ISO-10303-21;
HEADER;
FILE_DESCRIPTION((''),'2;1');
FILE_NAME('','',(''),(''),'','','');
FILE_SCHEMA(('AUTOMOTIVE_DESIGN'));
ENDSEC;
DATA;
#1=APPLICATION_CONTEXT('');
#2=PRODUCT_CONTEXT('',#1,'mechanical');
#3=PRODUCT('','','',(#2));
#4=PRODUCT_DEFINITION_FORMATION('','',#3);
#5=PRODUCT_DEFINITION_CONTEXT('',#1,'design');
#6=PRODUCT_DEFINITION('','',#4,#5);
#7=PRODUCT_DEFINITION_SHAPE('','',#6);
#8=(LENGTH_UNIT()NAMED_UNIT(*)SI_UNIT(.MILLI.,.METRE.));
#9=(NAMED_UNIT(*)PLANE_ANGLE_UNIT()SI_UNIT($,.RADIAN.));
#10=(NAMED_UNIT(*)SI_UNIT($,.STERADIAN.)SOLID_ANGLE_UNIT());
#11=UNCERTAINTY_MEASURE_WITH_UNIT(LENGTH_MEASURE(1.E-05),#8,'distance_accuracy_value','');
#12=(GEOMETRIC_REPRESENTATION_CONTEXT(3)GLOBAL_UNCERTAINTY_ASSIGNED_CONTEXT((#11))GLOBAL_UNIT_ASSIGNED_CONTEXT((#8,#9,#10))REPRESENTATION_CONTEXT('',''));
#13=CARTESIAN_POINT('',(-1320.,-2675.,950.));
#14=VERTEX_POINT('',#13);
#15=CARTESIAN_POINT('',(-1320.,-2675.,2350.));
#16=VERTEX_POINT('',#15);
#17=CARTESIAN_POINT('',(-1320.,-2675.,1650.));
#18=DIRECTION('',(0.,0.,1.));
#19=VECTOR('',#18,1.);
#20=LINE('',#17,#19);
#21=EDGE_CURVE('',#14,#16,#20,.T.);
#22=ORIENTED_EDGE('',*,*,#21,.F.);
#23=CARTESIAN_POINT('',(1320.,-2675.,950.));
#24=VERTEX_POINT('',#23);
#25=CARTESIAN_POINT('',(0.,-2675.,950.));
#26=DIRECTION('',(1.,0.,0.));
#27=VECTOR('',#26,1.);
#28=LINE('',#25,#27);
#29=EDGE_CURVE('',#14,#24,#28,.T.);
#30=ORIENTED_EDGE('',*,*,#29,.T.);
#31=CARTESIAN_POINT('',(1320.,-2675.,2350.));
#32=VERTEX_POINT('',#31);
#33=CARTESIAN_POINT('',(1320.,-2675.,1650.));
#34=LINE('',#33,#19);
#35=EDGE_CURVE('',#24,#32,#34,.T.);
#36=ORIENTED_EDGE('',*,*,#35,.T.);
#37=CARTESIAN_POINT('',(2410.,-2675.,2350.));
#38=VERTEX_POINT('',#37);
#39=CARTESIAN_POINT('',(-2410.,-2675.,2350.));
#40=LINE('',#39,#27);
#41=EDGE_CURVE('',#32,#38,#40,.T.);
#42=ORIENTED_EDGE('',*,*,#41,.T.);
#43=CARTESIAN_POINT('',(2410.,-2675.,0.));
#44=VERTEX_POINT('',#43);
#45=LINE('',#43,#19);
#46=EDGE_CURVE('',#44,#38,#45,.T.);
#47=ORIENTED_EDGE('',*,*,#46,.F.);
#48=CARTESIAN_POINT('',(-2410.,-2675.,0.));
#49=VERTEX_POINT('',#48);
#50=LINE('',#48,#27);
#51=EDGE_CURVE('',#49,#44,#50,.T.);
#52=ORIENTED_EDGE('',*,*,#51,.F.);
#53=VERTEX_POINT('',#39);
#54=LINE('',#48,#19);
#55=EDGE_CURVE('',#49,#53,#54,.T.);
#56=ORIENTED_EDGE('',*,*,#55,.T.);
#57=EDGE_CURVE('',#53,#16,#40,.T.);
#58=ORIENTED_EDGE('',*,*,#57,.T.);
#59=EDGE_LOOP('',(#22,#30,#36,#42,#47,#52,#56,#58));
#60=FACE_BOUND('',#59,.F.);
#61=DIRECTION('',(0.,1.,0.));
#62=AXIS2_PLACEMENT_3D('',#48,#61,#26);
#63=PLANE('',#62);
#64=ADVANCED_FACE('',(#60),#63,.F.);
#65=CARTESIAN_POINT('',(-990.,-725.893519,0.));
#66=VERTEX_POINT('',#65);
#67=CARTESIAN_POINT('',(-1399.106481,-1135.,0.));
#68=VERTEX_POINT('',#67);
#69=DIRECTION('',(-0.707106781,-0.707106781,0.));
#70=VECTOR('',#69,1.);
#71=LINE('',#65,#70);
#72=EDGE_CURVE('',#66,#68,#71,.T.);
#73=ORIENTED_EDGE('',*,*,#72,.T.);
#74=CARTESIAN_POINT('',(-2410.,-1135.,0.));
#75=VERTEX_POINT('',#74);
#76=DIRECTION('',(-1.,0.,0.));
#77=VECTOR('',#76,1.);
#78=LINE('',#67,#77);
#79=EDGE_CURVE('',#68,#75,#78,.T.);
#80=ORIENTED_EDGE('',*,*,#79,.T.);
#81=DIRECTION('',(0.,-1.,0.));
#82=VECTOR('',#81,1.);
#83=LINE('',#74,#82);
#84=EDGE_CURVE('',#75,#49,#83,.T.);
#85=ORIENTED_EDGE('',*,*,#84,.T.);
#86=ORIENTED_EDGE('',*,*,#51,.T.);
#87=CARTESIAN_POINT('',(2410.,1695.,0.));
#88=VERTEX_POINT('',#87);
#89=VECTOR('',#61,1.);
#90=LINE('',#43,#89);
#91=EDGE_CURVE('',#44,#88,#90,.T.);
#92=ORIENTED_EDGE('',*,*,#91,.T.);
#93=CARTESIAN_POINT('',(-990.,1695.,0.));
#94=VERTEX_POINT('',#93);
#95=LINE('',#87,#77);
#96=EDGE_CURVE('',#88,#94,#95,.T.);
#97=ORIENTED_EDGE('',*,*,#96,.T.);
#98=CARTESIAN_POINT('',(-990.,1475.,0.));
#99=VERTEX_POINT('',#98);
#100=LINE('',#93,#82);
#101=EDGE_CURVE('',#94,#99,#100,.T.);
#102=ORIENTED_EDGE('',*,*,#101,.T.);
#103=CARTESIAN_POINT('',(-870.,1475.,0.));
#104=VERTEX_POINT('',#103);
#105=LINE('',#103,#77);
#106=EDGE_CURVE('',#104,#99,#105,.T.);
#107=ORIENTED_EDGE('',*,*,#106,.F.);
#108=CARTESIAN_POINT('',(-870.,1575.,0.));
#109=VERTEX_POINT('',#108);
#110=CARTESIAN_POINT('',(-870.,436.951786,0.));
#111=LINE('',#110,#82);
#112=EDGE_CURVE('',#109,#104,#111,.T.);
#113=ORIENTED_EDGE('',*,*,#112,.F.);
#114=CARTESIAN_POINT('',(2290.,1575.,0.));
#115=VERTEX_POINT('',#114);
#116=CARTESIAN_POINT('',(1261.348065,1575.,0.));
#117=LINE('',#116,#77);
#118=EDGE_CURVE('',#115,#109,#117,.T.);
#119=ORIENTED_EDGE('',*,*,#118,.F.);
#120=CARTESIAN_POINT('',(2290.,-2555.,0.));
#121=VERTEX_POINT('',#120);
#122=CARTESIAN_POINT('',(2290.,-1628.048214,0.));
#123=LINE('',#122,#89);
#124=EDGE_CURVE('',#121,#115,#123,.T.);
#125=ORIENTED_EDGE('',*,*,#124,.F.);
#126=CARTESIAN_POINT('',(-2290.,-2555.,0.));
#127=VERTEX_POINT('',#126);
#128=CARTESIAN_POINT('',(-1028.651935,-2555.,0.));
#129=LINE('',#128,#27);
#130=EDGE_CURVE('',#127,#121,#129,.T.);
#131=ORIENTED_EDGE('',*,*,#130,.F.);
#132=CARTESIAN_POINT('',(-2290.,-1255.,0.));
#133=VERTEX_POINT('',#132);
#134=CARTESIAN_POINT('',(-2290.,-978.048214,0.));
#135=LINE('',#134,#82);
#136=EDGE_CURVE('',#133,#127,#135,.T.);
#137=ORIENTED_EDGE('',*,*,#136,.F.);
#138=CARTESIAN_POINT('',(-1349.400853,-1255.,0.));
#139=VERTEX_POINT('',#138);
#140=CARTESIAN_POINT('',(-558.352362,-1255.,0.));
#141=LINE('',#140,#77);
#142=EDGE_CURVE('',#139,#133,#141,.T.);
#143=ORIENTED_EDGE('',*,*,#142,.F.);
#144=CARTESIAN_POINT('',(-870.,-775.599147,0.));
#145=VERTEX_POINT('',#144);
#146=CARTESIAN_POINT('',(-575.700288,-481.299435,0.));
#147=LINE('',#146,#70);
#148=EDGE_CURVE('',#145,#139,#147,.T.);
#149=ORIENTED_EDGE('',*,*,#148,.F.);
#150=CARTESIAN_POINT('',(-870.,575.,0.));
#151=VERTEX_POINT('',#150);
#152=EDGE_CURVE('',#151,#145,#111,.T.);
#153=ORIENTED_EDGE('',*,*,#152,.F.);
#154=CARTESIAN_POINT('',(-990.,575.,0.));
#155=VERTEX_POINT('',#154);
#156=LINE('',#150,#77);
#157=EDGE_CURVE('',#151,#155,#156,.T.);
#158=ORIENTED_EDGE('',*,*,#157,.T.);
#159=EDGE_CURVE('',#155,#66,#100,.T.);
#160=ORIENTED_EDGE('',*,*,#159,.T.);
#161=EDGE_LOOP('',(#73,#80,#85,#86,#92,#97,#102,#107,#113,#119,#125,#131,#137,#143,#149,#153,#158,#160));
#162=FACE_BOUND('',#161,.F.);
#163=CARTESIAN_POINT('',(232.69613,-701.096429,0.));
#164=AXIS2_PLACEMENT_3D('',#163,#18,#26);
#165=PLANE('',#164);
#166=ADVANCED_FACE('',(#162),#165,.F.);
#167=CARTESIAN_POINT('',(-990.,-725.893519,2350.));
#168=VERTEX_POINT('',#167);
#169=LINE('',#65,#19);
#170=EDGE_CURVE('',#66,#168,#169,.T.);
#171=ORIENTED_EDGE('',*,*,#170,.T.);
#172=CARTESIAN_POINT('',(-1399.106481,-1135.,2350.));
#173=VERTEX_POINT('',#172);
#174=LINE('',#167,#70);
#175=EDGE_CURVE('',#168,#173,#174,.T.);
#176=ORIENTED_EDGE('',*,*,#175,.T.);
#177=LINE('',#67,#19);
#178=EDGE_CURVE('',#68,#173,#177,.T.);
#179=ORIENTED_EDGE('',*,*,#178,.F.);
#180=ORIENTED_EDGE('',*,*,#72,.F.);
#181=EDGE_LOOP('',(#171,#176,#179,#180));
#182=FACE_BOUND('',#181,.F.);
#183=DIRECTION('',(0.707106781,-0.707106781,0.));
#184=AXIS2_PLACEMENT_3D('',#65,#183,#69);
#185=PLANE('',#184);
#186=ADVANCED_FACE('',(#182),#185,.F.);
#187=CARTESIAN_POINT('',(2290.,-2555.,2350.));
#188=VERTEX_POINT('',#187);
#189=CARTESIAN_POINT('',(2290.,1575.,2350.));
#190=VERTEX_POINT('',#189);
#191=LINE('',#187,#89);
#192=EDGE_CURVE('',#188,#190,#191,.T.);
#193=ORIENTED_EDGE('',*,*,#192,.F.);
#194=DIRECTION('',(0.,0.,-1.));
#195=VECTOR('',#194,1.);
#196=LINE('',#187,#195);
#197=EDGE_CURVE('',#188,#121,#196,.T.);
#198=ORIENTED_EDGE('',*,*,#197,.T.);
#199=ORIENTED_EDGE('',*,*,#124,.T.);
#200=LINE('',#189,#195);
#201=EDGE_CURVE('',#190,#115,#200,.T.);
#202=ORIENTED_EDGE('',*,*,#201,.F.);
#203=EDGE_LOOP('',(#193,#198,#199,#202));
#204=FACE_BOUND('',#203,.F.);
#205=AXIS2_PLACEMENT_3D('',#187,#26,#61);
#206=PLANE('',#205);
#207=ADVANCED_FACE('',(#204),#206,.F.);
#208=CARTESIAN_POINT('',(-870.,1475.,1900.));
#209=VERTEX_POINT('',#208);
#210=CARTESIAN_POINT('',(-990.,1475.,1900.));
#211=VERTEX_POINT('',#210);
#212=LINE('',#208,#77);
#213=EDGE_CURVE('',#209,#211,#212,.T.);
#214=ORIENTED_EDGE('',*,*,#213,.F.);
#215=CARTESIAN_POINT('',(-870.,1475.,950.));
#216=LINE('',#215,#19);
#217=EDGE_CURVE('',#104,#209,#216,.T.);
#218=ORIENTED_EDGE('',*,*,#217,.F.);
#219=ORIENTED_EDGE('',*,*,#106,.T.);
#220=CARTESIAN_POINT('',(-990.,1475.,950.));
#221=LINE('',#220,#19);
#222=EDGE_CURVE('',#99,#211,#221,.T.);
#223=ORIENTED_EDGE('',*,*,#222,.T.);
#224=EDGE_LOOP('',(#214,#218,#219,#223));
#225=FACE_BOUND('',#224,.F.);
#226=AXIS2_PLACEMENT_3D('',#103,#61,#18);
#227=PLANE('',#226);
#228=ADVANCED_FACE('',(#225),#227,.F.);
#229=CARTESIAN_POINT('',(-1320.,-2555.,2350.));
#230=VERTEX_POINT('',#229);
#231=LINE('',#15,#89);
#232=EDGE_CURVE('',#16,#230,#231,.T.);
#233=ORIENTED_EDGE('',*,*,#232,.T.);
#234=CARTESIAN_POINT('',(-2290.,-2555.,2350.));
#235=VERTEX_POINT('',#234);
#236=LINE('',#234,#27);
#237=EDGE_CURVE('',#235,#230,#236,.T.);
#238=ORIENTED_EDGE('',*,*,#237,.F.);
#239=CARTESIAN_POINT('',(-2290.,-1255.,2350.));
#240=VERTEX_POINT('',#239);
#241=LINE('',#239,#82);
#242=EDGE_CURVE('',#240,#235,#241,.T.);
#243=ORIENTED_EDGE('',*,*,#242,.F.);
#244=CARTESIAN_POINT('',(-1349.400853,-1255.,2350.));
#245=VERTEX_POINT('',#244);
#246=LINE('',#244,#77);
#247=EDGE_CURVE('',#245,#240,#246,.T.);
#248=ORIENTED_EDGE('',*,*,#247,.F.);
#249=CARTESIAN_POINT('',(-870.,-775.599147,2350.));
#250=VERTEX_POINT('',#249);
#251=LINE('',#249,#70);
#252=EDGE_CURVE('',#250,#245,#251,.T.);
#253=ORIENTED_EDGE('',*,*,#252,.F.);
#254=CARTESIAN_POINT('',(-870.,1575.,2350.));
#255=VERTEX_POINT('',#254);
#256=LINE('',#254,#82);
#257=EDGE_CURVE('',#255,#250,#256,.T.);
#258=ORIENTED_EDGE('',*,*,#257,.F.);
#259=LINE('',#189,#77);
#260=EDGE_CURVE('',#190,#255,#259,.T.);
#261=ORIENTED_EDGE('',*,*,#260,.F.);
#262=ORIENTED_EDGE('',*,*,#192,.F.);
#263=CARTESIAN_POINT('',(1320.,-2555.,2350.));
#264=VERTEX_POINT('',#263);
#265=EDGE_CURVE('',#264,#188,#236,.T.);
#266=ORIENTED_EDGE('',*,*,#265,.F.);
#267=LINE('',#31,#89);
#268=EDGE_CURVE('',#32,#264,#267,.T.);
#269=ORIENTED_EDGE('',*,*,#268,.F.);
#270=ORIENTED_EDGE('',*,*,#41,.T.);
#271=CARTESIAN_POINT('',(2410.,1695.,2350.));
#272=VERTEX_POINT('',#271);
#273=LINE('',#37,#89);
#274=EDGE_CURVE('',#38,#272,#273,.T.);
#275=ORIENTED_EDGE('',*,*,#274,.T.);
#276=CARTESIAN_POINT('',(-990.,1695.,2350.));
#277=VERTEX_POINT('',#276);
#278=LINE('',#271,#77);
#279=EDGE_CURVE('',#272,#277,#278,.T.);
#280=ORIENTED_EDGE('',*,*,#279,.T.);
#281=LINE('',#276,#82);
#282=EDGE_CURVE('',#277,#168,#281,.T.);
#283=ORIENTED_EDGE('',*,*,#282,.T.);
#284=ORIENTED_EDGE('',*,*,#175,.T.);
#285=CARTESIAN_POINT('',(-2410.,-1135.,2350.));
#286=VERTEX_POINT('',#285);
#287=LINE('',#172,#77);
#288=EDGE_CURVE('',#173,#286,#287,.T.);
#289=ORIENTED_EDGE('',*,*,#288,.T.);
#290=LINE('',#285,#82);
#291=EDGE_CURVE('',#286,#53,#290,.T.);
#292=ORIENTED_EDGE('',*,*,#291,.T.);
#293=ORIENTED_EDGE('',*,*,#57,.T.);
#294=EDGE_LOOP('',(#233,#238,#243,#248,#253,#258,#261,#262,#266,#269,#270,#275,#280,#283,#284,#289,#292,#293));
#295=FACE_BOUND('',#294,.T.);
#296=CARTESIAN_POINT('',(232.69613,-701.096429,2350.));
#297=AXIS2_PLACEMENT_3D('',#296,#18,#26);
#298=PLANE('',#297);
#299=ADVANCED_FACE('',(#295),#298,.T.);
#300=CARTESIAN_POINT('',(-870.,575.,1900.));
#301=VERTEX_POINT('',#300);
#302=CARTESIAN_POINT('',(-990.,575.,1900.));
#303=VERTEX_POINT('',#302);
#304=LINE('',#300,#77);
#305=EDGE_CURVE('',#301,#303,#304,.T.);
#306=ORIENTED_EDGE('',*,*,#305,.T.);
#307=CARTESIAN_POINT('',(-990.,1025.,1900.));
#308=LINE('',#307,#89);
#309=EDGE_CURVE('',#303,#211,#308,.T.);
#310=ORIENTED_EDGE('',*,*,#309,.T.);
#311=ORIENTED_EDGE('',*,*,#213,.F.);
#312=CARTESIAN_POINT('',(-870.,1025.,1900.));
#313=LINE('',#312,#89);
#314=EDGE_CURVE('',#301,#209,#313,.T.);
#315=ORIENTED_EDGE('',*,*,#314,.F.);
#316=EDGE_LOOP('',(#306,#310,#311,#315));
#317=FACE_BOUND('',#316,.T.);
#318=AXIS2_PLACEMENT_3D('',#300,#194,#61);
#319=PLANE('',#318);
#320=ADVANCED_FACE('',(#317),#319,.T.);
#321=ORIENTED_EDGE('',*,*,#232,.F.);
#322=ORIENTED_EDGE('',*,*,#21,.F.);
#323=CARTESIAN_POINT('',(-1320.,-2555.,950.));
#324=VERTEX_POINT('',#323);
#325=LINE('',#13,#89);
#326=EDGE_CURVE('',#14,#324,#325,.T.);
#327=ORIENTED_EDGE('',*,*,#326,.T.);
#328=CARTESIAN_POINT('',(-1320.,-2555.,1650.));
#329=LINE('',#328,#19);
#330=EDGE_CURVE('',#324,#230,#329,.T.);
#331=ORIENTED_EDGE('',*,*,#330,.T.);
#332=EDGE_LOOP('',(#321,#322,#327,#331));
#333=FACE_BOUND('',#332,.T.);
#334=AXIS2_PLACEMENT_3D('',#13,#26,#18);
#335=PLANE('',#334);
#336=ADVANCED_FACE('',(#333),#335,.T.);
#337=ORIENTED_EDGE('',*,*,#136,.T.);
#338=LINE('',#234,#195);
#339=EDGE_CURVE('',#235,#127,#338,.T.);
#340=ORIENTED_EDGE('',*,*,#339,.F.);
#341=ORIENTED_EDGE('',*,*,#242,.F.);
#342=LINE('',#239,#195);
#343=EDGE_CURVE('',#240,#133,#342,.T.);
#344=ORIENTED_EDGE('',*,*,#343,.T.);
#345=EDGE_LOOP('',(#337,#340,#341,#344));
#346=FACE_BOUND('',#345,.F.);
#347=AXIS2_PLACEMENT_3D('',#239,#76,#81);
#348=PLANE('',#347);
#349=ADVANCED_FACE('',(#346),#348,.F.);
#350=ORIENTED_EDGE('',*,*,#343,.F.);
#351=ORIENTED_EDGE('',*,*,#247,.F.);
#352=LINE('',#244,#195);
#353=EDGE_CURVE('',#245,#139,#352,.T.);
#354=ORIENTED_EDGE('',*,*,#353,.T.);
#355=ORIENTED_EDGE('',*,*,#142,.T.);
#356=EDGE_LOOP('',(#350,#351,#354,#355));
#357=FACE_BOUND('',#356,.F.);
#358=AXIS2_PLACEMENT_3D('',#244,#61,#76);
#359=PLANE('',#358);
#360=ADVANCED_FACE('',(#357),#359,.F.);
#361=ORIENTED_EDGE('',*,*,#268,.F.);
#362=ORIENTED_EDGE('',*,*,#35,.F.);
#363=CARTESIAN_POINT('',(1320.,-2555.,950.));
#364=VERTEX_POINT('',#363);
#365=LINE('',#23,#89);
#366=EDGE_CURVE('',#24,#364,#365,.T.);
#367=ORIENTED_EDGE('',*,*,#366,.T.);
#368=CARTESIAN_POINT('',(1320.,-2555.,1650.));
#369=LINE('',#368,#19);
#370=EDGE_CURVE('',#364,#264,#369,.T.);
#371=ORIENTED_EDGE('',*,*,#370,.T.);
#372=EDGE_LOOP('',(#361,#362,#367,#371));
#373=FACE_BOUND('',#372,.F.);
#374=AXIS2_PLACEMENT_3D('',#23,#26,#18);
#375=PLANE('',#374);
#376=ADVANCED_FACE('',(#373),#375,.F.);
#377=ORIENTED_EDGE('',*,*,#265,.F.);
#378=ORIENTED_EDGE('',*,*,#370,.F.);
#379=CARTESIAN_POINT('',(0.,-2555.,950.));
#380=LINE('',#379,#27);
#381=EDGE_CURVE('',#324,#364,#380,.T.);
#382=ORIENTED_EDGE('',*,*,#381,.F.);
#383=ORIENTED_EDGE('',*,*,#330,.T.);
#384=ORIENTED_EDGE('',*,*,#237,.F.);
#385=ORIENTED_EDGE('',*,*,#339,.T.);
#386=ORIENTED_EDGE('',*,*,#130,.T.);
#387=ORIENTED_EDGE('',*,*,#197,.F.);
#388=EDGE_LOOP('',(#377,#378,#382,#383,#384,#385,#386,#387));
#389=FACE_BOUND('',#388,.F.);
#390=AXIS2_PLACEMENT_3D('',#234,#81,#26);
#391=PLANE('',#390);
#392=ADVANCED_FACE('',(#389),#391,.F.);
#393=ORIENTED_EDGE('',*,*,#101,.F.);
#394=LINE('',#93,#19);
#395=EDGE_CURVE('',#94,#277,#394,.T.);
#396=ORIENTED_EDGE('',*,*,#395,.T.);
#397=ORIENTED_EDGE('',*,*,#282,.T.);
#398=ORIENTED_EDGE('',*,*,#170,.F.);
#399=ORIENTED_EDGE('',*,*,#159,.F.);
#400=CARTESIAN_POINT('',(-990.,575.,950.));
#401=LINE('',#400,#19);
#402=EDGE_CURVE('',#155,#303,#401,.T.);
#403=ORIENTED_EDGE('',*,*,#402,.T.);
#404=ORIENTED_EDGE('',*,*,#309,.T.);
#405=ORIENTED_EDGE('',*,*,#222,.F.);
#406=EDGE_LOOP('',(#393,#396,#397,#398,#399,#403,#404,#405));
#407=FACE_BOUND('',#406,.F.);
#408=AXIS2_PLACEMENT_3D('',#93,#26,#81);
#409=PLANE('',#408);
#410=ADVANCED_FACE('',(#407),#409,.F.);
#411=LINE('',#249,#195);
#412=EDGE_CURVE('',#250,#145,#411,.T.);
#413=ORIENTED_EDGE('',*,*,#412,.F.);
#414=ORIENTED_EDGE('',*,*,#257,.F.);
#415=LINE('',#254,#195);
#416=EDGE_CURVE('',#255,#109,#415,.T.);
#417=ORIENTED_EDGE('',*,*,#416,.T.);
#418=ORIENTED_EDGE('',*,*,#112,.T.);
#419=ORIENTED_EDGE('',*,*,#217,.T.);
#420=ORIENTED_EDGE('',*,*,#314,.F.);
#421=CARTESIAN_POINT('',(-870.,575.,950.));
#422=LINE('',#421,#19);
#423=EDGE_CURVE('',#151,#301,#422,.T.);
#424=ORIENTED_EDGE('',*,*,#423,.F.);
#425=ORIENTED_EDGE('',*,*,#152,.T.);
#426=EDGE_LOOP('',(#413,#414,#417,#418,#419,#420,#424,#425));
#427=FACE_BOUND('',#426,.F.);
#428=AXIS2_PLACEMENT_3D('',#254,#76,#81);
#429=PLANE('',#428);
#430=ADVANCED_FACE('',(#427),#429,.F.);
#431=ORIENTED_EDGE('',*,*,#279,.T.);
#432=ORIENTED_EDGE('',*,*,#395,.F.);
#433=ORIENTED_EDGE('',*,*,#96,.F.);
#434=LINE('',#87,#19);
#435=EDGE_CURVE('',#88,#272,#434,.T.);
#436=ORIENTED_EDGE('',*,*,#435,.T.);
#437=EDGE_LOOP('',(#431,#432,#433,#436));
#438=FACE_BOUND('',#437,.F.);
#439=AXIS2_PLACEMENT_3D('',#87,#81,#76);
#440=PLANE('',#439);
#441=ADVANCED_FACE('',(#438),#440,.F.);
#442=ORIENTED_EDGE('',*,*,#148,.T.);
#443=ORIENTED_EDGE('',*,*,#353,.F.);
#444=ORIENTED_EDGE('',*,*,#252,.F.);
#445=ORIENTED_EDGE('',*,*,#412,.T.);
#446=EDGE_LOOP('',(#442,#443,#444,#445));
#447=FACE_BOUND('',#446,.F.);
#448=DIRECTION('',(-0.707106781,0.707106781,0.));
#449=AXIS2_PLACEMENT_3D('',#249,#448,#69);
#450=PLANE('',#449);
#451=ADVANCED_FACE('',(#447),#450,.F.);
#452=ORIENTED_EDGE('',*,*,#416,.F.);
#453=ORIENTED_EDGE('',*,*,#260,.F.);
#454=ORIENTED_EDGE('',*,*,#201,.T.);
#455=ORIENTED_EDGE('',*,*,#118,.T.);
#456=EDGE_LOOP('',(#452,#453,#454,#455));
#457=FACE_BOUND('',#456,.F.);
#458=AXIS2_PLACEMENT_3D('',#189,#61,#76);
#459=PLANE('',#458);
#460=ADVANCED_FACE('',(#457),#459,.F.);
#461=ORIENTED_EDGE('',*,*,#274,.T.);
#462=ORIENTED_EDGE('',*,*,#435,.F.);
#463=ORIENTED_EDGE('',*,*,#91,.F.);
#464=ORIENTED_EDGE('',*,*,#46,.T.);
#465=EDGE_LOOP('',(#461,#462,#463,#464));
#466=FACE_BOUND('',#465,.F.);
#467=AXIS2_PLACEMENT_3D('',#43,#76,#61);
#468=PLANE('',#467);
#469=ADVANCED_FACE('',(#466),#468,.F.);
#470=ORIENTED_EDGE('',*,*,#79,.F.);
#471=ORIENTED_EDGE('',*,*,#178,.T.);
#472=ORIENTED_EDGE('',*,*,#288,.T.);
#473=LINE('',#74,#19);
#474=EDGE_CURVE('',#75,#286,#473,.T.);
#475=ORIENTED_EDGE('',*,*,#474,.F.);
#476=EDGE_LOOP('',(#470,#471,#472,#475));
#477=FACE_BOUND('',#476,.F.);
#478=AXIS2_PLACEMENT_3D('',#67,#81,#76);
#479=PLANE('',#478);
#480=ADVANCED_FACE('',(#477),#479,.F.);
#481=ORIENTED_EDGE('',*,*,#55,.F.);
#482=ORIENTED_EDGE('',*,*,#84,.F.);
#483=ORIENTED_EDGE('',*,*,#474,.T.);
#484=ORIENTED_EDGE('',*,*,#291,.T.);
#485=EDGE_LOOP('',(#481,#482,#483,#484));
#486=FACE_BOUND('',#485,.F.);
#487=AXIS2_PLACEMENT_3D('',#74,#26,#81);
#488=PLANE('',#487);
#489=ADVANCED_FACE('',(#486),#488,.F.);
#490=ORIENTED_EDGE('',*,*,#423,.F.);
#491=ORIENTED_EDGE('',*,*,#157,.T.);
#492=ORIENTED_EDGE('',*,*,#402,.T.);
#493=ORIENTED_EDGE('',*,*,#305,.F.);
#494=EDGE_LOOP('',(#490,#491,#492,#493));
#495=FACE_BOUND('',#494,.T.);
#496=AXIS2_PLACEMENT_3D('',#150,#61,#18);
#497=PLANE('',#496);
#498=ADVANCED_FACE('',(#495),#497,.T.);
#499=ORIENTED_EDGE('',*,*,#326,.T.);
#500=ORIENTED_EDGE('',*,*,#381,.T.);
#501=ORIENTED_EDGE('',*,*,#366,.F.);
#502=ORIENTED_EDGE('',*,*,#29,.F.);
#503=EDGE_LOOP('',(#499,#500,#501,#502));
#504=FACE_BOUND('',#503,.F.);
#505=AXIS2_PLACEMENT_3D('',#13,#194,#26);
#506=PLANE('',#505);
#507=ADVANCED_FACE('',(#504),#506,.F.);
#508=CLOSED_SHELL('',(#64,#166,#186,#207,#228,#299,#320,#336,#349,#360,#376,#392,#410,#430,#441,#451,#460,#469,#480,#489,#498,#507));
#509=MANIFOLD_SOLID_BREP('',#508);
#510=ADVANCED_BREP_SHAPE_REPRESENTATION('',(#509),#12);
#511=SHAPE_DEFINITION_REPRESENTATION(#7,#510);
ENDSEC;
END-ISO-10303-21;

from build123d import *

# Parameters (mm, degrees)
F1_DEPTH = 2350
F3_DEPTH = 2350.001
F4_W     = 2640
F4_H     = 1400
F5_DEPTH = 120
F6_W     = 900
F6_H     = 1900
F7_DEPTH = 120


with BuildPart() as f1:
    # F0 (on Top) → F1 (new body)
    with BuildSketch(Plane.XY):
        Polygon((-1399.106481, -1135), (-2410, -1135), (-2410, -2675), (2410, -2675), (2410, 1695), (-990, 1695), (-990, -725.893519), align=None)
    extrude(amount=F1_DEPTH)

    # F2 (on face) → F3 (cut, through all)
    with BuildSketch(Plane.XY.offset(2350)):
        Polygon((-1349.400853, -1255), (-2290, -1255), (-2290, -2555), (2290, -2555), (2290, 1575), (-870, 1575), (-870, -775.599147), align=None)
    extrude(amount=-F3_DEPTH, mode=Mode.SUBTRACT)

    # F4 (on face) → F5 (cut, through all)
    with BuildSketch(Plane.XZ.offset(2675)):
        with Locations((0, 1650)):
            Rectangle(F4_W, F4_H)
    extrude(amount=-F5_DEPTH, mode=Mode.SUBTRACT)

    # F6 (on face) → F7 (cut, through all)
    with BuildSketch(Plane.YZ.offset(-870)):
        with Locations((1025, 950)):
            Rectangle(F6_W, F6_H)
    extrude(amount=-F7_DEPTH, mode=Mode.SUBTRACT)


solid = f1.part
